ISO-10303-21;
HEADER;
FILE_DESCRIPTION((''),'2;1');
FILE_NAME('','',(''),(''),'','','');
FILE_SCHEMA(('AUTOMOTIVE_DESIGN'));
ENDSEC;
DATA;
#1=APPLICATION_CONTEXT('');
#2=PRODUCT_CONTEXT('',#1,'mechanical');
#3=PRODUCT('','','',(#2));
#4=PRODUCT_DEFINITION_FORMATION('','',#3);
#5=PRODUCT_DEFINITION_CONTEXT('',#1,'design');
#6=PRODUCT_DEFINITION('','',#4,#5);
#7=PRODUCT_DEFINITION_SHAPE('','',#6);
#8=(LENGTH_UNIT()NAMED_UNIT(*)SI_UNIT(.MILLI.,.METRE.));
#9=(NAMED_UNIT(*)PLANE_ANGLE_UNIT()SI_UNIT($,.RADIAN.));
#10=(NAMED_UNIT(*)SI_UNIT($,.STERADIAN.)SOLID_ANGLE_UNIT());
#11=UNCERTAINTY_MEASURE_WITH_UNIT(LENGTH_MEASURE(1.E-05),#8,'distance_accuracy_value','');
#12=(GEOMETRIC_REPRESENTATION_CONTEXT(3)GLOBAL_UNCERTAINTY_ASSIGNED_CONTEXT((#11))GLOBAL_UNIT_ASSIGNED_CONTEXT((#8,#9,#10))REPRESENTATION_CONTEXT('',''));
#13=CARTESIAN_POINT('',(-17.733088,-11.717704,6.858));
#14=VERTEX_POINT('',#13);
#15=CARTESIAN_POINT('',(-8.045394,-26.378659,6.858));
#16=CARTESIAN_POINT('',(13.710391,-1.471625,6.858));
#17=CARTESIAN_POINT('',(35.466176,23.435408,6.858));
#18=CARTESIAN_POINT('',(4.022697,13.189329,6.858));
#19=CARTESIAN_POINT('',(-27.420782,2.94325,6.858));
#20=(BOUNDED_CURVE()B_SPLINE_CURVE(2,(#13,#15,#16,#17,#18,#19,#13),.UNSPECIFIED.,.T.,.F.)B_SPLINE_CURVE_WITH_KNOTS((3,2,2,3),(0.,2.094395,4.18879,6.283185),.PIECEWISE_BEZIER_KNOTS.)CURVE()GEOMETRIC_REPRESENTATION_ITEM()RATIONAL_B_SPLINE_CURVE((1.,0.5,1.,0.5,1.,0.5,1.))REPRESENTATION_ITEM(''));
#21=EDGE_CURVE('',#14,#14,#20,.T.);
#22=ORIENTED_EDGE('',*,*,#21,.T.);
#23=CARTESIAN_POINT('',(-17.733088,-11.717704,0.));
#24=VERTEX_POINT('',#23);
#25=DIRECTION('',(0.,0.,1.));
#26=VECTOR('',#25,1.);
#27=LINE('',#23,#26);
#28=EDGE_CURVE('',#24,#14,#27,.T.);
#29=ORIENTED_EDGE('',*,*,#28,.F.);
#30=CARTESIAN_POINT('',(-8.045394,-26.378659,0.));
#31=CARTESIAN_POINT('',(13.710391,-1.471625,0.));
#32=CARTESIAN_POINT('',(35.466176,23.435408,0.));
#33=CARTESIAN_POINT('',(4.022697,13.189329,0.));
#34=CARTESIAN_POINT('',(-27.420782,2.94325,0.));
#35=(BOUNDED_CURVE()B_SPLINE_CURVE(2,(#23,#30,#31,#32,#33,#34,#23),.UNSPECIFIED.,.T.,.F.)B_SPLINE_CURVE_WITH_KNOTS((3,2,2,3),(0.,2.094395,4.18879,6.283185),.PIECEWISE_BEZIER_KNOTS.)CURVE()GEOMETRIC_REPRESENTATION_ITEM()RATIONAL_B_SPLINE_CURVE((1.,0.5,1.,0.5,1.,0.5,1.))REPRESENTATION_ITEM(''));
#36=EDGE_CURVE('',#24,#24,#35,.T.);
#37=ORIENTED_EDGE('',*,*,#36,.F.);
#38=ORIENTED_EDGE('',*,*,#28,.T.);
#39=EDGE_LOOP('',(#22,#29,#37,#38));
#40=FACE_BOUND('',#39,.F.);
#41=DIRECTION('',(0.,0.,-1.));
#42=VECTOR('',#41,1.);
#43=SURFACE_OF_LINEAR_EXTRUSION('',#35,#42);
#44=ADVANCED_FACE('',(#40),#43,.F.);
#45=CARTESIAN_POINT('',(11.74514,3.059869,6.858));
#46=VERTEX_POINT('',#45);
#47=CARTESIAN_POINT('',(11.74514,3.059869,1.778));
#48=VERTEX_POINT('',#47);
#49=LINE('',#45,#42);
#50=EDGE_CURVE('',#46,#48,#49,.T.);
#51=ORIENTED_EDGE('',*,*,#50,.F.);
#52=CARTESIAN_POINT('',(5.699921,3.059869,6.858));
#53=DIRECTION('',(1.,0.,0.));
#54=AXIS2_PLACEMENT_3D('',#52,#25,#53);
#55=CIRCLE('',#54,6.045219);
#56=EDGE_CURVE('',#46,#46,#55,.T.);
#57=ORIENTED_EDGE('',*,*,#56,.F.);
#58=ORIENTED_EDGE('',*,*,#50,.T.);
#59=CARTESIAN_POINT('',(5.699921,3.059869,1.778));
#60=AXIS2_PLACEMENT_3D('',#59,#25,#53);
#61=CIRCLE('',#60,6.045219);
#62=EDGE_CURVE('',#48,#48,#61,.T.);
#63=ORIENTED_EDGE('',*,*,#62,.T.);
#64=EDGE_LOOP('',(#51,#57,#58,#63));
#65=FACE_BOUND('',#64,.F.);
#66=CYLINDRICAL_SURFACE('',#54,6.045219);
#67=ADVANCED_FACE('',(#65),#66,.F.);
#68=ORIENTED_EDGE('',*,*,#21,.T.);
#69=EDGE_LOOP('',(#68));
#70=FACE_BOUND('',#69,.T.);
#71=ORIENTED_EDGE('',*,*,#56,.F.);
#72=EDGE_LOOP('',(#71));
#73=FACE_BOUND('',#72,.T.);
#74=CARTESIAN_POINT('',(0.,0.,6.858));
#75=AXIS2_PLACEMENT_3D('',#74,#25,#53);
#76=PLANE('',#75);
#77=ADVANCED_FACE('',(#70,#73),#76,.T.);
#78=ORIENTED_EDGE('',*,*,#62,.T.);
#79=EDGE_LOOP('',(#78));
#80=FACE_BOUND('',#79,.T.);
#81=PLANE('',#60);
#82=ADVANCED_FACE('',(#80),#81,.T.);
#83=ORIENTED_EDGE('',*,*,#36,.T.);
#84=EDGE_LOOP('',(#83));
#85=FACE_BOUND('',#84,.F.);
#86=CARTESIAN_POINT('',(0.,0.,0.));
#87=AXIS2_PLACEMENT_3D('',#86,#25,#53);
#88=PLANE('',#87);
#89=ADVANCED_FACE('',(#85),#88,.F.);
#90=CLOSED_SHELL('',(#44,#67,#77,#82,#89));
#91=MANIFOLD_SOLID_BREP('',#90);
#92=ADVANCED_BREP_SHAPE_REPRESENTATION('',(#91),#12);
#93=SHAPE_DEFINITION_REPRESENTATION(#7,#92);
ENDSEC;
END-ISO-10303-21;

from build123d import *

# Parameters (mm, degrees)
F1_DEPTH = 6.858
F2_R     = 6.045219
F3_DEPTH = 5.08


with BuildPart() as f1:
    # F0 (on Top) → F1 (new body)
    with BuildSketch(Plane.XY):
        with BuildLine():
            add(Edge.make_bspline(
                [(-17.733088, -11.717704), (-8.045394, -26.378659), (13.710391, -1.471625), (35.466176, 23.435408), (4.022697, 13.189329), (-27.420782, 2.94325), (-17.733088, -11.717704)],
                knots=[0, 0, 0, 2.094395, 2.094395, 4.18879, 4.18879, 6.283185, 6.283185, 6.283185], degree=2, weights=[1, 0.5, 1, 0.5, 1, 0.5, 1]))
        make_face()
    extrude(amount=F1_DEPTH)

    # F2 (on face) → F3 (cut)
    with BuildSketch(Plane.XY.offset(6.858)):
        with Locations((5.699921, 3.059869)):
            Circle(F2_R)
    extrude(amount=-F3_DEPTH, mode=Mode.SUBTRACT)


solid = f1.part
